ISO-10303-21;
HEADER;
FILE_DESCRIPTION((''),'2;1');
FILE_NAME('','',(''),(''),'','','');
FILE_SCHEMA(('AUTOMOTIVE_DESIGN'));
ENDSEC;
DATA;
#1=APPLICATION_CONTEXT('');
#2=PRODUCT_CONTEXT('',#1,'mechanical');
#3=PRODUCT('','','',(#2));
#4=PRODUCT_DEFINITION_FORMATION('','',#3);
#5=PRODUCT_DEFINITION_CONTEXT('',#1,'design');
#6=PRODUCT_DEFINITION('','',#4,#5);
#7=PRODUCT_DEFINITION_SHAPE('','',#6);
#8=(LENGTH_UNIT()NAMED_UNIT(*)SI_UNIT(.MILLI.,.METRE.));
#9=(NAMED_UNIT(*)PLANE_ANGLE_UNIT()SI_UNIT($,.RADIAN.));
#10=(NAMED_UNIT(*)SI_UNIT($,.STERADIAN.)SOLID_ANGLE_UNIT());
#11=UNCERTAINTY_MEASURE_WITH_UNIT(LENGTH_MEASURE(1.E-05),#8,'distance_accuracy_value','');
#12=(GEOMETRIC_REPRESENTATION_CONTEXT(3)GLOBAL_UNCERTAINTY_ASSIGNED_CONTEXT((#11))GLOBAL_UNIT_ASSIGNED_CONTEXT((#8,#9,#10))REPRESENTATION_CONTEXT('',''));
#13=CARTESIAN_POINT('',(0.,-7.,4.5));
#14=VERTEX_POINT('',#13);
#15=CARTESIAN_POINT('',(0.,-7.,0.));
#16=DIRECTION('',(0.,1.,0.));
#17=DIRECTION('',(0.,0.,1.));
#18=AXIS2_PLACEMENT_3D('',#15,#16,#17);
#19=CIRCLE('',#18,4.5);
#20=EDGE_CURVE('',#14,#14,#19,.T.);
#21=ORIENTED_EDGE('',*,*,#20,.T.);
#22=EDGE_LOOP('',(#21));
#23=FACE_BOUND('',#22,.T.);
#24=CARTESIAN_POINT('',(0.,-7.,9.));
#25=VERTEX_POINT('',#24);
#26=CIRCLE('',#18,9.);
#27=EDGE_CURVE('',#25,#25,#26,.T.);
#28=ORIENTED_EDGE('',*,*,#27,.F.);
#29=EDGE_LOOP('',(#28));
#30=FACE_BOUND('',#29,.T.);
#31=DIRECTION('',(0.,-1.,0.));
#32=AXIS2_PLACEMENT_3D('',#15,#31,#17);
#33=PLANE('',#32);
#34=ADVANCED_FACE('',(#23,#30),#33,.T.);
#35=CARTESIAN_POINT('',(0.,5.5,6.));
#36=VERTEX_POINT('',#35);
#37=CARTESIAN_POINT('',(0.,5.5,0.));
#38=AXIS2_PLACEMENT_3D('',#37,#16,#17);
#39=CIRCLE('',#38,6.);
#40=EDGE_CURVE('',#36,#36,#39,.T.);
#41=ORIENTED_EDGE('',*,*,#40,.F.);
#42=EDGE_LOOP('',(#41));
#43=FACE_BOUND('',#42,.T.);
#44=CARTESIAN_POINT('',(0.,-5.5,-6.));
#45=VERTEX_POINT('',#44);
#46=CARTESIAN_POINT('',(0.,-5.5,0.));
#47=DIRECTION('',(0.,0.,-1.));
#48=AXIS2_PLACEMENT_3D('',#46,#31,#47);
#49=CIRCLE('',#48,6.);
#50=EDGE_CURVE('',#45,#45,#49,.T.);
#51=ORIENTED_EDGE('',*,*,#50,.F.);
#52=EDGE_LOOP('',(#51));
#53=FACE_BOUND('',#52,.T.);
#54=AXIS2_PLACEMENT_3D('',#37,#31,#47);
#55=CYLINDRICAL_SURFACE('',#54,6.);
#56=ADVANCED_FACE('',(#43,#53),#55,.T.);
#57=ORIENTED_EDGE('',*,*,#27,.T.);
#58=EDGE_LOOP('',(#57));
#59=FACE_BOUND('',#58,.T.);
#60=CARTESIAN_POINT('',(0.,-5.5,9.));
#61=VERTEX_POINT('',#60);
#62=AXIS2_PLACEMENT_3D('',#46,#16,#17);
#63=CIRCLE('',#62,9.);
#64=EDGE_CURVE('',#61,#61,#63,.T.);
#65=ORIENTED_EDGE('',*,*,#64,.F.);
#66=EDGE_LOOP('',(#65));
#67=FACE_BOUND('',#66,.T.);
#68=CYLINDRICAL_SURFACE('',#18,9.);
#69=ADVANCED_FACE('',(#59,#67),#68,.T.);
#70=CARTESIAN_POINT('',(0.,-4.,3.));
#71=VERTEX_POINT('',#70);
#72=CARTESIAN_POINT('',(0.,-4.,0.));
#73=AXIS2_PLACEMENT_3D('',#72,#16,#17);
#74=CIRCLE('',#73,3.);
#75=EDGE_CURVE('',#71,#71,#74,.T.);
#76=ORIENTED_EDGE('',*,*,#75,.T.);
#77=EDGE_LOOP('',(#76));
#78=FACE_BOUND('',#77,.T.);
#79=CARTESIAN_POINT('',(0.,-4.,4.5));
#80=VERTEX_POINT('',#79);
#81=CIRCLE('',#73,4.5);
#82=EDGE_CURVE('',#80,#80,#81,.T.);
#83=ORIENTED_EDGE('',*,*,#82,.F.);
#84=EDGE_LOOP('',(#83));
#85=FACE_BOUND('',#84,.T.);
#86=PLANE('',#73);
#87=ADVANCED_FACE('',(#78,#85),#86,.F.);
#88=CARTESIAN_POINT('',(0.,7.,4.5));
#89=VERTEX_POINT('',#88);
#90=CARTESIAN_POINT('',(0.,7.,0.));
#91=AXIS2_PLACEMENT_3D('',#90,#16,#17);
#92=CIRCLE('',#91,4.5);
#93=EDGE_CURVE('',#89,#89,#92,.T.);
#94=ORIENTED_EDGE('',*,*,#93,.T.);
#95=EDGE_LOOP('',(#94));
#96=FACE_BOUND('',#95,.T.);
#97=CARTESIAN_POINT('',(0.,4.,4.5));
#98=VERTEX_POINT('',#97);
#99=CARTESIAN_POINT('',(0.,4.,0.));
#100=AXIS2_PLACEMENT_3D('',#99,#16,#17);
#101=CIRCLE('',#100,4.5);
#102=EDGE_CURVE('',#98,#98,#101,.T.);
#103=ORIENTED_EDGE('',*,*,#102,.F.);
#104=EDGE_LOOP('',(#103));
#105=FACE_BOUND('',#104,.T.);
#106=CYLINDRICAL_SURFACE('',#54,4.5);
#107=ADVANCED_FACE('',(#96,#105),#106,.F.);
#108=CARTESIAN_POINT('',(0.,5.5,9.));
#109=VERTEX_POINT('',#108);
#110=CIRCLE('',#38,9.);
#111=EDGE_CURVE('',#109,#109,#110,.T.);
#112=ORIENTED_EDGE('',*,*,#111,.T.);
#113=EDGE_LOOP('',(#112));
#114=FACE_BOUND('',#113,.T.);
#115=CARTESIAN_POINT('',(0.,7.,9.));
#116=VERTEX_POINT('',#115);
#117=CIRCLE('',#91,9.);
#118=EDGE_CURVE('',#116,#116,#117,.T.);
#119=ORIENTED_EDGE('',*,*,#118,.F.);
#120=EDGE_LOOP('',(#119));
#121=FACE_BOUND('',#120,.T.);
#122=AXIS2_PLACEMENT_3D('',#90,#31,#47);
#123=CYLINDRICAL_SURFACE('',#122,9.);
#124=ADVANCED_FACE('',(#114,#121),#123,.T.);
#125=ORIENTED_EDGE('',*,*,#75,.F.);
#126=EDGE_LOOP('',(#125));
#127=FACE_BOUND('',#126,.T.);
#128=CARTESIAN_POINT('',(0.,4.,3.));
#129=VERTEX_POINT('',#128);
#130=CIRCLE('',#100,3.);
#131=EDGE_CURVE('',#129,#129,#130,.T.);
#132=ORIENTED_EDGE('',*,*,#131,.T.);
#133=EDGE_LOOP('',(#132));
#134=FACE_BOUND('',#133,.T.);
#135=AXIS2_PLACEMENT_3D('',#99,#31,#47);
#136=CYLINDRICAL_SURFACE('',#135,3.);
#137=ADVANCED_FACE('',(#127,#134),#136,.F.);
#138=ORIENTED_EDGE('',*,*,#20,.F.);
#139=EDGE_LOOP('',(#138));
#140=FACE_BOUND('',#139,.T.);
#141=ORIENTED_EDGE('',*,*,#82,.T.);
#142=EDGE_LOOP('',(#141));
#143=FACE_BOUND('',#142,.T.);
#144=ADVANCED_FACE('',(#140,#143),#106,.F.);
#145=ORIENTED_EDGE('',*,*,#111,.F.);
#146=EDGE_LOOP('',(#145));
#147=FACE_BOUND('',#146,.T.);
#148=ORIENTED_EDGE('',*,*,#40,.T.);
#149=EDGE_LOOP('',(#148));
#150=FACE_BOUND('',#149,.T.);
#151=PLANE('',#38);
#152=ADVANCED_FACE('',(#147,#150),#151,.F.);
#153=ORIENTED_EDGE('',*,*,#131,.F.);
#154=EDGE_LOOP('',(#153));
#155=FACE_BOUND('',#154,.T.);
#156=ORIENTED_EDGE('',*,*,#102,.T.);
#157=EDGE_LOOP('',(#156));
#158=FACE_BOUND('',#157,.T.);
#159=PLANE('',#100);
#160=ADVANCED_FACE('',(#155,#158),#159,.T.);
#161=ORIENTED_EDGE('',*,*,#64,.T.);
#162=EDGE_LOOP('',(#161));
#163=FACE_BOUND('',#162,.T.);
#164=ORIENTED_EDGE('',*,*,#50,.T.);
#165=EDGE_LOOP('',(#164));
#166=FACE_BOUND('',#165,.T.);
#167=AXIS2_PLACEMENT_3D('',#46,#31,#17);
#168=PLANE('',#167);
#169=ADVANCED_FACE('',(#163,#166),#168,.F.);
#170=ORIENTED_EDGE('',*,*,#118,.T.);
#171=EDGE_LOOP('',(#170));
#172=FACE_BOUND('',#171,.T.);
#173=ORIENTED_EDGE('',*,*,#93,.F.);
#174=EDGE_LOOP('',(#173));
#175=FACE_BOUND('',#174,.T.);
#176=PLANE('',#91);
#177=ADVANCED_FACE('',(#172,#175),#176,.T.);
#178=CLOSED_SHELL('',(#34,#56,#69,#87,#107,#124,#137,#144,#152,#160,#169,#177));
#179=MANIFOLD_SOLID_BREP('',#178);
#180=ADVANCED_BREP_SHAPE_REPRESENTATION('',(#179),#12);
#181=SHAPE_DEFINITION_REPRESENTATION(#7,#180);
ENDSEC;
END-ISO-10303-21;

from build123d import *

# Parameters (mm, degrees)
SKETCH1_R           = 6
SKETCH1_R_2         = 4.5
BOSS_EXTRUDE1_DEPTH = 5.5
SKETCH2_R           = 9
SKETCH2_R_2         = 4.5
BOSS_EXTRUDE2_DEPTH = 1.5
SKETCH3_R           = 4.5
SKETCH3_R_2         = 3
BOSS_EXTRUDE3_DEPTH = 4


with BuildPart() as part:
    # Sketch1 → Boss-Extrude1 (new body, symmetric)
    with BuildSketch(Plane(origin=(0, 0, 0), x_dir=(1, 0, 0), z_dir=(0, 1, 0))):
        Circle(SKETCH1_R)
        Circle(SKETCH1_R_2, mode=Mode.SUBTRACT)
    extrude(amount=BOSS_EXTRUDE1_DEPTH, both=True)

    # Sketch2 → Boss-Extrude2 (add)
    with BuildSketch(Plane(origin=(0, 5.5, 0), x_dir=(1, 0, 0), z_dir=(0, 1, 0))):
        Circle(SKETCH2_R)
        Circle(SKETCH2_R_2, mode=Mode.SUBTRACT)
    boss_extrude2 = extrude(amount=BOSS_EXTRUDE2_DEPTH)

    # Mirror1: Boss-Extrude2 across plane
    add(boss_extrude2.mirror(Plane.ZX))

    # Sketch3 → Boss-Extrude3 (add, symmetric)
    with BuildSketch(Plane(origin=(0, 0, 0), x_dir=(1, 0, 0), z_dir=(0, 1, 0))):
        Circle(SKETCH3_R)
        Circle(SKETCH3_R_2, mode=Mode.SUBTRACT)
    extrude(amount=BOSS_EXTRUDE3_DEPTH, both=True)


solid = part.part
